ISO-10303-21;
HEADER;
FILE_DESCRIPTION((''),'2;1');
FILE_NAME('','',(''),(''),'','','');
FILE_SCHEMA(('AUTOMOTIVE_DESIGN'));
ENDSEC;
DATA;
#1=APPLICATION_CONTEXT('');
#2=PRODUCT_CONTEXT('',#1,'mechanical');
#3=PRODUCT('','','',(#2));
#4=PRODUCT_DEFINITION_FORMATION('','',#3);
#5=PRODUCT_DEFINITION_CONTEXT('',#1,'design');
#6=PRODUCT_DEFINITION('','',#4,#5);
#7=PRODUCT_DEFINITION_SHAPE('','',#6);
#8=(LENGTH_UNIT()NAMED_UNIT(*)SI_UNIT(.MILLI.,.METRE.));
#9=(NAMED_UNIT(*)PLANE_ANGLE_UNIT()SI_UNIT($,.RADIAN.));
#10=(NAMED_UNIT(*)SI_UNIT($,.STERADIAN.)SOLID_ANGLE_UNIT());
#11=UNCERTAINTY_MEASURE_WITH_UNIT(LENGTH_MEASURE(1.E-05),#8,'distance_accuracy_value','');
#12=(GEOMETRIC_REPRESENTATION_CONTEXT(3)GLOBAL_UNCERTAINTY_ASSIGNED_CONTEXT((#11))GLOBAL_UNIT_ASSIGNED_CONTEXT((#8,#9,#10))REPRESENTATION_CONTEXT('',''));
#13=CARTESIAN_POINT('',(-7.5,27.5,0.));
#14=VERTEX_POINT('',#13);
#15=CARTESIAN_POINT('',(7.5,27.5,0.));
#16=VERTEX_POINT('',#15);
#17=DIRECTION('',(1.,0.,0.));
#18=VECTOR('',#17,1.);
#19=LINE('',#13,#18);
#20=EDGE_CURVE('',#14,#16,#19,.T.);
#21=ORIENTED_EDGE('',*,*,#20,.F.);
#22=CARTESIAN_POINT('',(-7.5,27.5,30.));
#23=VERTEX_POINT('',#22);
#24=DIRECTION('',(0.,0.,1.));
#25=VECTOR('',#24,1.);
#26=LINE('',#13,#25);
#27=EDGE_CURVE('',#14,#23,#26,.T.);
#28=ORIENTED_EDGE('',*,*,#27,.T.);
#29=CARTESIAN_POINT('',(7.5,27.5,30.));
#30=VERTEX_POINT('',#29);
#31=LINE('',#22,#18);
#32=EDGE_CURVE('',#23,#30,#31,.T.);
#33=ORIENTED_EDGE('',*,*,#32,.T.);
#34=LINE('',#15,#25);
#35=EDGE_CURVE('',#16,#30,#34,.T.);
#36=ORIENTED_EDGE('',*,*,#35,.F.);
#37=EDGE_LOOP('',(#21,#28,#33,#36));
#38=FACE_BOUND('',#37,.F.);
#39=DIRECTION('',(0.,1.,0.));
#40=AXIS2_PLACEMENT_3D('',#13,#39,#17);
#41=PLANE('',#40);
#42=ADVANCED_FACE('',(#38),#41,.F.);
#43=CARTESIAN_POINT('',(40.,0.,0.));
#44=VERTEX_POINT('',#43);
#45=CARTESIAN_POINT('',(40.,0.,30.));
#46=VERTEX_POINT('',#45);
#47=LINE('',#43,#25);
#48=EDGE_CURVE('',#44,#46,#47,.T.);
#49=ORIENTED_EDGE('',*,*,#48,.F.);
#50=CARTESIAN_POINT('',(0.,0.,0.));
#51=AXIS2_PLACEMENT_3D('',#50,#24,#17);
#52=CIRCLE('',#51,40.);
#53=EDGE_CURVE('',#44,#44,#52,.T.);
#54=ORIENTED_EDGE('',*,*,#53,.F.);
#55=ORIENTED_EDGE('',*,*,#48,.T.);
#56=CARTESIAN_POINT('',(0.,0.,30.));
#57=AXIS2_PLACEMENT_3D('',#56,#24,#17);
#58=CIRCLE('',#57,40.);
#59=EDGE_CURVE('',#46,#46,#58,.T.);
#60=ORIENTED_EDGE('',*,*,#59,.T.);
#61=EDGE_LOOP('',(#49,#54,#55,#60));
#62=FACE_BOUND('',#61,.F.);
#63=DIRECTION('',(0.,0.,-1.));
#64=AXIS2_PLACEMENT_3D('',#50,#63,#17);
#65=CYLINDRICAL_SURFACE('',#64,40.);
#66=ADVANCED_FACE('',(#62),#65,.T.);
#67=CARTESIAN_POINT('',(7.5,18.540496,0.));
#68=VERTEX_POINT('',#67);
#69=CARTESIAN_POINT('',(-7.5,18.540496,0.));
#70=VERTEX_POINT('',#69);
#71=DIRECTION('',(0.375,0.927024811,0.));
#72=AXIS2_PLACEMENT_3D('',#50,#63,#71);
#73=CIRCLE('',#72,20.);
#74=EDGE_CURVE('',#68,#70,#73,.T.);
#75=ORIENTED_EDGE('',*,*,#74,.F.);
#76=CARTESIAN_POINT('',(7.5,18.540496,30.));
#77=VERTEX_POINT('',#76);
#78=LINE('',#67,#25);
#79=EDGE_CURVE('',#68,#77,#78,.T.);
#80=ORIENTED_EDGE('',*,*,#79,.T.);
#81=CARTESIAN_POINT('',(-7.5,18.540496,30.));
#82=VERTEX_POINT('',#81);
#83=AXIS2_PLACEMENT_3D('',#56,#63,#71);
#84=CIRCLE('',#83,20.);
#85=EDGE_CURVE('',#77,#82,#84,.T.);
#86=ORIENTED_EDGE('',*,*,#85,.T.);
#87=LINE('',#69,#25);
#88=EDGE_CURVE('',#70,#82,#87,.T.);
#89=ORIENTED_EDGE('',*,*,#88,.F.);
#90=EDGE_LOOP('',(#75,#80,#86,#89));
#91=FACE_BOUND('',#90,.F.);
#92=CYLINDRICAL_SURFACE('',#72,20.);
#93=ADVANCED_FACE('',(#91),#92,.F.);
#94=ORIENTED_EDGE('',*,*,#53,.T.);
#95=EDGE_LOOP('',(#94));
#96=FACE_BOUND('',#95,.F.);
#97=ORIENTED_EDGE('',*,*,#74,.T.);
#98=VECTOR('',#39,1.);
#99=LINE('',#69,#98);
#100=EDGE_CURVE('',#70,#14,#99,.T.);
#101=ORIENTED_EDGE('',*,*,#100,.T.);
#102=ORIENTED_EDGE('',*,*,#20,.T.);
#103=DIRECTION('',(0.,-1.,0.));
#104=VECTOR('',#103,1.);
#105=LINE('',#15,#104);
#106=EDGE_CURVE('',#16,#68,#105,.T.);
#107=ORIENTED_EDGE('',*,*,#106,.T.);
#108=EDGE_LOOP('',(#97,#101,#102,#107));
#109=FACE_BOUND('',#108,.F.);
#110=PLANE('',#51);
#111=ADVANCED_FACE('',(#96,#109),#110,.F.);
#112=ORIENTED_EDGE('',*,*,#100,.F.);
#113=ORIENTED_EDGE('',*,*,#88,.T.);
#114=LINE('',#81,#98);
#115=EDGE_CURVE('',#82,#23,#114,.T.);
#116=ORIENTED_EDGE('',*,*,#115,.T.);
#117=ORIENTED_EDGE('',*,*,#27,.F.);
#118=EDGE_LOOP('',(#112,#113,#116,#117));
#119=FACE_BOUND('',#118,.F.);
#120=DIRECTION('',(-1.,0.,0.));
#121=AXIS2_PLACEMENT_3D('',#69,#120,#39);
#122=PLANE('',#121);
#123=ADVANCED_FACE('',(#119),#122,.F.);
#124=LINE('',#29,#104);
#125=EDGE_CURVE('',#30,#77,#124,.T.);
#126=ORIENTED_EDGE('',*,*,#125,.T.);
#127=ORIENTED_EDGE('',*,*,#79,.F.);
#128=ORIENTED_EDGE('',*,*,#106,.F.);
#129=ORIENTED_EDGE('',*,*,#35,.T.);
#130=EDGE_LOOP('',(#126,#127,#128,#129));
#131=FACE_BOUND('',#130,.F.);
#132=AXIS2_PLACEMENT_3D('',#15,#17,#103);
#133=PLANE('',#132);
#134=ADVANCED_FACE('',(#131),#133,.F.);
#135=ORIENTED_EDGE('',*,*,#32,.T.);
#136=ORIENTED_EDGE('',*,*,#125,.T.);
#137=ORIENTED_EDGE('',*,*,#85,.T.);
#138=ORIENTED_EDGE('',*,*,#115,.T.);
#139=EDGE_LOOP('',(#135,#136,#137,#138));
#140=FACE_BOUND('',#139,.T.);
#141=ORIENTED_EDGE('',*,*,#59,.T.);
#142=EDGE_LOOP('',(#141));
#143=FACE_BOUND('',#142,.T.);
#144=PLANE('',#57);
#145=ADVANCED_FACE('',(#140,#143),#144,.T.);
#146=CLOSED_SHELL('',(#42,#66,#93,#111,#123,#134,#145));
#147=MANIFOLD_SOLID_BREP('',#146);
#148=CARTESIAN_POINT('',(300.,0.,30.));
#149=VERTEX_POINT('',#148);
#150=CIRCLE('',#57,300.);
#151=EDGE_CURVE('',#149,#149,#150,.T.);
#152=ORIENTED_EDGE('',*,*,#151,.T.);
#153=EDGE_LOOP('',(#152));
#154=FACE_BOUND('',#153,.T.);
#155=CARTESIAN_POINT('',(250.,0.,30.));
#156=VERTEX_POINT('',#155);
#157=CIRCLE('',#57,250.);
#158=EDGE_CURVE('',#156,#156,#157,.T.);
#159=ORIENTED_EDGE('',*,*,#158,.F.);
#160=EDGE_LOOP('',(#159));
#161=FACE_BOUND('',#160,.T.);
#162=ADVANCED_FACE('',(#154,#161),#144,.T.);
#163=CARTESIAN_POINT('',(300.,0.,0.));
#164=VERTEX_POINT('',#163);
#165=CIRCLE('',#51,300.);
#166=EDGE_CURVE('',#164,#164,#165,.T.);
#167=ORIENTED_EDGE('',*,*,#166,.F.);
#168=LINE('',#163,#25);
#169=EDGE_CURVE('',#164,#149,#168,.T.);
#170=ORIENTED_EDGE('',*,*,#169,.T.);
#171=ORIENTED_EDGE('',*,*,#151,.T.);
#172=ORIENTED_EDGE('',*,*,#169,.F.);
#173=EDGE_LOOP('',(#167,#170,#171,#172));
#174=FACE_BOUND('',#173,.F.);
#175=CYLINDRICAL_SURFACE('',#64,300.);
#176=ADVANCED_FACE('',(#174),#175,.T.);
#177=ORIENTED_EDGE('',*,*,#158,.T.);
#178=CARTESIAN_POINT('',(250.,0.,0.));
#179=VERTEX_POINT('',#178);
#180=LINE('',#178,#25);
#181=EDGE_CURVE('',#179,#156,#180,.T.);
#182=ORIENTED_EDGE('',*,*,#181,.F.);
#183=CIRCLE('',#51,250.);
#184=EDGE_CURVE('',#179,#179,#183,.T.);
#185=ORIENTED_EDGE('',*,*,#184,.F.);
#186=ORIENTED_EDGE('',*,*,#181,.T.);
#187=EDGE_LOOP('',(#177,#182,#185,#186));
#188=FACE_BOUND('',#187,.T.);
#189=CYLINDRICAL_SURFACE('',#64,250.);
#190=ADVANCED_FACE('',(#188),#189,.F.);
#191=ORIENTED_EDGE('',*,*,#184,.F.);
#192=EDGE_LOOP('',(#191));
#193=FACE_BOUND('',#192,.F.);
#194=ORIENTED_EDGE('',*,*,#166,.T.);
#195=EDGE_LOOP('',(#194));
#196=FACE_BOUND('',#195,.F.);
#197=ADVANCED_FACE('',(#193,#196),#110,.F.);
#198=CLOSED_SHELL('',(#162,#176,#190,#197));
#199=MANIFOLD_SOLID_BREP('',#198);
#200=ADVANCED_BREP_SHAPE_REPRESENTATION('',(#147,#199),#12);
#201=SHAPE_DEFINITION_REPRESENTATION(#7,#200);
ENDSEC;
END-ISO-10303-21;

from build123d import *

# Parameters (mm, degrees)
F0_R     = 40
F1_DEPTH = 30
F0_R_2   = 300
F0_R_3   = 250


with BuildPart() as f1:
    # F0 (on Top) → F1 (new body)
    with BuildSketch(Plane.XY):
        Circle(F0_R)
        with BuildLine():
            ThreePointArc((7.5, 18.5404962177), (0, -20), (-7.5, 18.5404962177))
            Line((-7.5, 18.5404962177), (-7.5, 27.5))
            Line((-7.5, 27.5), (7.5, 27.5))
            Line((7.5, 27.5), (7.5, 18.5404962177))
        make_face(mode=Mode.SUBTRACT)
    extrude(amount=F1_DEPTH)


with BuildPart() as f1b:
    # F0 (on Top) → F1, piece 2 (new body)
    with BuildSketch(Plane.XY):
        Circle(F0_R_2)
        Circle(F0_R_3, mode=Mode.SUBTRACT)
    extrude(amount=F1_DEPTH)


solid = Compound([f1.part, f1b.part])
